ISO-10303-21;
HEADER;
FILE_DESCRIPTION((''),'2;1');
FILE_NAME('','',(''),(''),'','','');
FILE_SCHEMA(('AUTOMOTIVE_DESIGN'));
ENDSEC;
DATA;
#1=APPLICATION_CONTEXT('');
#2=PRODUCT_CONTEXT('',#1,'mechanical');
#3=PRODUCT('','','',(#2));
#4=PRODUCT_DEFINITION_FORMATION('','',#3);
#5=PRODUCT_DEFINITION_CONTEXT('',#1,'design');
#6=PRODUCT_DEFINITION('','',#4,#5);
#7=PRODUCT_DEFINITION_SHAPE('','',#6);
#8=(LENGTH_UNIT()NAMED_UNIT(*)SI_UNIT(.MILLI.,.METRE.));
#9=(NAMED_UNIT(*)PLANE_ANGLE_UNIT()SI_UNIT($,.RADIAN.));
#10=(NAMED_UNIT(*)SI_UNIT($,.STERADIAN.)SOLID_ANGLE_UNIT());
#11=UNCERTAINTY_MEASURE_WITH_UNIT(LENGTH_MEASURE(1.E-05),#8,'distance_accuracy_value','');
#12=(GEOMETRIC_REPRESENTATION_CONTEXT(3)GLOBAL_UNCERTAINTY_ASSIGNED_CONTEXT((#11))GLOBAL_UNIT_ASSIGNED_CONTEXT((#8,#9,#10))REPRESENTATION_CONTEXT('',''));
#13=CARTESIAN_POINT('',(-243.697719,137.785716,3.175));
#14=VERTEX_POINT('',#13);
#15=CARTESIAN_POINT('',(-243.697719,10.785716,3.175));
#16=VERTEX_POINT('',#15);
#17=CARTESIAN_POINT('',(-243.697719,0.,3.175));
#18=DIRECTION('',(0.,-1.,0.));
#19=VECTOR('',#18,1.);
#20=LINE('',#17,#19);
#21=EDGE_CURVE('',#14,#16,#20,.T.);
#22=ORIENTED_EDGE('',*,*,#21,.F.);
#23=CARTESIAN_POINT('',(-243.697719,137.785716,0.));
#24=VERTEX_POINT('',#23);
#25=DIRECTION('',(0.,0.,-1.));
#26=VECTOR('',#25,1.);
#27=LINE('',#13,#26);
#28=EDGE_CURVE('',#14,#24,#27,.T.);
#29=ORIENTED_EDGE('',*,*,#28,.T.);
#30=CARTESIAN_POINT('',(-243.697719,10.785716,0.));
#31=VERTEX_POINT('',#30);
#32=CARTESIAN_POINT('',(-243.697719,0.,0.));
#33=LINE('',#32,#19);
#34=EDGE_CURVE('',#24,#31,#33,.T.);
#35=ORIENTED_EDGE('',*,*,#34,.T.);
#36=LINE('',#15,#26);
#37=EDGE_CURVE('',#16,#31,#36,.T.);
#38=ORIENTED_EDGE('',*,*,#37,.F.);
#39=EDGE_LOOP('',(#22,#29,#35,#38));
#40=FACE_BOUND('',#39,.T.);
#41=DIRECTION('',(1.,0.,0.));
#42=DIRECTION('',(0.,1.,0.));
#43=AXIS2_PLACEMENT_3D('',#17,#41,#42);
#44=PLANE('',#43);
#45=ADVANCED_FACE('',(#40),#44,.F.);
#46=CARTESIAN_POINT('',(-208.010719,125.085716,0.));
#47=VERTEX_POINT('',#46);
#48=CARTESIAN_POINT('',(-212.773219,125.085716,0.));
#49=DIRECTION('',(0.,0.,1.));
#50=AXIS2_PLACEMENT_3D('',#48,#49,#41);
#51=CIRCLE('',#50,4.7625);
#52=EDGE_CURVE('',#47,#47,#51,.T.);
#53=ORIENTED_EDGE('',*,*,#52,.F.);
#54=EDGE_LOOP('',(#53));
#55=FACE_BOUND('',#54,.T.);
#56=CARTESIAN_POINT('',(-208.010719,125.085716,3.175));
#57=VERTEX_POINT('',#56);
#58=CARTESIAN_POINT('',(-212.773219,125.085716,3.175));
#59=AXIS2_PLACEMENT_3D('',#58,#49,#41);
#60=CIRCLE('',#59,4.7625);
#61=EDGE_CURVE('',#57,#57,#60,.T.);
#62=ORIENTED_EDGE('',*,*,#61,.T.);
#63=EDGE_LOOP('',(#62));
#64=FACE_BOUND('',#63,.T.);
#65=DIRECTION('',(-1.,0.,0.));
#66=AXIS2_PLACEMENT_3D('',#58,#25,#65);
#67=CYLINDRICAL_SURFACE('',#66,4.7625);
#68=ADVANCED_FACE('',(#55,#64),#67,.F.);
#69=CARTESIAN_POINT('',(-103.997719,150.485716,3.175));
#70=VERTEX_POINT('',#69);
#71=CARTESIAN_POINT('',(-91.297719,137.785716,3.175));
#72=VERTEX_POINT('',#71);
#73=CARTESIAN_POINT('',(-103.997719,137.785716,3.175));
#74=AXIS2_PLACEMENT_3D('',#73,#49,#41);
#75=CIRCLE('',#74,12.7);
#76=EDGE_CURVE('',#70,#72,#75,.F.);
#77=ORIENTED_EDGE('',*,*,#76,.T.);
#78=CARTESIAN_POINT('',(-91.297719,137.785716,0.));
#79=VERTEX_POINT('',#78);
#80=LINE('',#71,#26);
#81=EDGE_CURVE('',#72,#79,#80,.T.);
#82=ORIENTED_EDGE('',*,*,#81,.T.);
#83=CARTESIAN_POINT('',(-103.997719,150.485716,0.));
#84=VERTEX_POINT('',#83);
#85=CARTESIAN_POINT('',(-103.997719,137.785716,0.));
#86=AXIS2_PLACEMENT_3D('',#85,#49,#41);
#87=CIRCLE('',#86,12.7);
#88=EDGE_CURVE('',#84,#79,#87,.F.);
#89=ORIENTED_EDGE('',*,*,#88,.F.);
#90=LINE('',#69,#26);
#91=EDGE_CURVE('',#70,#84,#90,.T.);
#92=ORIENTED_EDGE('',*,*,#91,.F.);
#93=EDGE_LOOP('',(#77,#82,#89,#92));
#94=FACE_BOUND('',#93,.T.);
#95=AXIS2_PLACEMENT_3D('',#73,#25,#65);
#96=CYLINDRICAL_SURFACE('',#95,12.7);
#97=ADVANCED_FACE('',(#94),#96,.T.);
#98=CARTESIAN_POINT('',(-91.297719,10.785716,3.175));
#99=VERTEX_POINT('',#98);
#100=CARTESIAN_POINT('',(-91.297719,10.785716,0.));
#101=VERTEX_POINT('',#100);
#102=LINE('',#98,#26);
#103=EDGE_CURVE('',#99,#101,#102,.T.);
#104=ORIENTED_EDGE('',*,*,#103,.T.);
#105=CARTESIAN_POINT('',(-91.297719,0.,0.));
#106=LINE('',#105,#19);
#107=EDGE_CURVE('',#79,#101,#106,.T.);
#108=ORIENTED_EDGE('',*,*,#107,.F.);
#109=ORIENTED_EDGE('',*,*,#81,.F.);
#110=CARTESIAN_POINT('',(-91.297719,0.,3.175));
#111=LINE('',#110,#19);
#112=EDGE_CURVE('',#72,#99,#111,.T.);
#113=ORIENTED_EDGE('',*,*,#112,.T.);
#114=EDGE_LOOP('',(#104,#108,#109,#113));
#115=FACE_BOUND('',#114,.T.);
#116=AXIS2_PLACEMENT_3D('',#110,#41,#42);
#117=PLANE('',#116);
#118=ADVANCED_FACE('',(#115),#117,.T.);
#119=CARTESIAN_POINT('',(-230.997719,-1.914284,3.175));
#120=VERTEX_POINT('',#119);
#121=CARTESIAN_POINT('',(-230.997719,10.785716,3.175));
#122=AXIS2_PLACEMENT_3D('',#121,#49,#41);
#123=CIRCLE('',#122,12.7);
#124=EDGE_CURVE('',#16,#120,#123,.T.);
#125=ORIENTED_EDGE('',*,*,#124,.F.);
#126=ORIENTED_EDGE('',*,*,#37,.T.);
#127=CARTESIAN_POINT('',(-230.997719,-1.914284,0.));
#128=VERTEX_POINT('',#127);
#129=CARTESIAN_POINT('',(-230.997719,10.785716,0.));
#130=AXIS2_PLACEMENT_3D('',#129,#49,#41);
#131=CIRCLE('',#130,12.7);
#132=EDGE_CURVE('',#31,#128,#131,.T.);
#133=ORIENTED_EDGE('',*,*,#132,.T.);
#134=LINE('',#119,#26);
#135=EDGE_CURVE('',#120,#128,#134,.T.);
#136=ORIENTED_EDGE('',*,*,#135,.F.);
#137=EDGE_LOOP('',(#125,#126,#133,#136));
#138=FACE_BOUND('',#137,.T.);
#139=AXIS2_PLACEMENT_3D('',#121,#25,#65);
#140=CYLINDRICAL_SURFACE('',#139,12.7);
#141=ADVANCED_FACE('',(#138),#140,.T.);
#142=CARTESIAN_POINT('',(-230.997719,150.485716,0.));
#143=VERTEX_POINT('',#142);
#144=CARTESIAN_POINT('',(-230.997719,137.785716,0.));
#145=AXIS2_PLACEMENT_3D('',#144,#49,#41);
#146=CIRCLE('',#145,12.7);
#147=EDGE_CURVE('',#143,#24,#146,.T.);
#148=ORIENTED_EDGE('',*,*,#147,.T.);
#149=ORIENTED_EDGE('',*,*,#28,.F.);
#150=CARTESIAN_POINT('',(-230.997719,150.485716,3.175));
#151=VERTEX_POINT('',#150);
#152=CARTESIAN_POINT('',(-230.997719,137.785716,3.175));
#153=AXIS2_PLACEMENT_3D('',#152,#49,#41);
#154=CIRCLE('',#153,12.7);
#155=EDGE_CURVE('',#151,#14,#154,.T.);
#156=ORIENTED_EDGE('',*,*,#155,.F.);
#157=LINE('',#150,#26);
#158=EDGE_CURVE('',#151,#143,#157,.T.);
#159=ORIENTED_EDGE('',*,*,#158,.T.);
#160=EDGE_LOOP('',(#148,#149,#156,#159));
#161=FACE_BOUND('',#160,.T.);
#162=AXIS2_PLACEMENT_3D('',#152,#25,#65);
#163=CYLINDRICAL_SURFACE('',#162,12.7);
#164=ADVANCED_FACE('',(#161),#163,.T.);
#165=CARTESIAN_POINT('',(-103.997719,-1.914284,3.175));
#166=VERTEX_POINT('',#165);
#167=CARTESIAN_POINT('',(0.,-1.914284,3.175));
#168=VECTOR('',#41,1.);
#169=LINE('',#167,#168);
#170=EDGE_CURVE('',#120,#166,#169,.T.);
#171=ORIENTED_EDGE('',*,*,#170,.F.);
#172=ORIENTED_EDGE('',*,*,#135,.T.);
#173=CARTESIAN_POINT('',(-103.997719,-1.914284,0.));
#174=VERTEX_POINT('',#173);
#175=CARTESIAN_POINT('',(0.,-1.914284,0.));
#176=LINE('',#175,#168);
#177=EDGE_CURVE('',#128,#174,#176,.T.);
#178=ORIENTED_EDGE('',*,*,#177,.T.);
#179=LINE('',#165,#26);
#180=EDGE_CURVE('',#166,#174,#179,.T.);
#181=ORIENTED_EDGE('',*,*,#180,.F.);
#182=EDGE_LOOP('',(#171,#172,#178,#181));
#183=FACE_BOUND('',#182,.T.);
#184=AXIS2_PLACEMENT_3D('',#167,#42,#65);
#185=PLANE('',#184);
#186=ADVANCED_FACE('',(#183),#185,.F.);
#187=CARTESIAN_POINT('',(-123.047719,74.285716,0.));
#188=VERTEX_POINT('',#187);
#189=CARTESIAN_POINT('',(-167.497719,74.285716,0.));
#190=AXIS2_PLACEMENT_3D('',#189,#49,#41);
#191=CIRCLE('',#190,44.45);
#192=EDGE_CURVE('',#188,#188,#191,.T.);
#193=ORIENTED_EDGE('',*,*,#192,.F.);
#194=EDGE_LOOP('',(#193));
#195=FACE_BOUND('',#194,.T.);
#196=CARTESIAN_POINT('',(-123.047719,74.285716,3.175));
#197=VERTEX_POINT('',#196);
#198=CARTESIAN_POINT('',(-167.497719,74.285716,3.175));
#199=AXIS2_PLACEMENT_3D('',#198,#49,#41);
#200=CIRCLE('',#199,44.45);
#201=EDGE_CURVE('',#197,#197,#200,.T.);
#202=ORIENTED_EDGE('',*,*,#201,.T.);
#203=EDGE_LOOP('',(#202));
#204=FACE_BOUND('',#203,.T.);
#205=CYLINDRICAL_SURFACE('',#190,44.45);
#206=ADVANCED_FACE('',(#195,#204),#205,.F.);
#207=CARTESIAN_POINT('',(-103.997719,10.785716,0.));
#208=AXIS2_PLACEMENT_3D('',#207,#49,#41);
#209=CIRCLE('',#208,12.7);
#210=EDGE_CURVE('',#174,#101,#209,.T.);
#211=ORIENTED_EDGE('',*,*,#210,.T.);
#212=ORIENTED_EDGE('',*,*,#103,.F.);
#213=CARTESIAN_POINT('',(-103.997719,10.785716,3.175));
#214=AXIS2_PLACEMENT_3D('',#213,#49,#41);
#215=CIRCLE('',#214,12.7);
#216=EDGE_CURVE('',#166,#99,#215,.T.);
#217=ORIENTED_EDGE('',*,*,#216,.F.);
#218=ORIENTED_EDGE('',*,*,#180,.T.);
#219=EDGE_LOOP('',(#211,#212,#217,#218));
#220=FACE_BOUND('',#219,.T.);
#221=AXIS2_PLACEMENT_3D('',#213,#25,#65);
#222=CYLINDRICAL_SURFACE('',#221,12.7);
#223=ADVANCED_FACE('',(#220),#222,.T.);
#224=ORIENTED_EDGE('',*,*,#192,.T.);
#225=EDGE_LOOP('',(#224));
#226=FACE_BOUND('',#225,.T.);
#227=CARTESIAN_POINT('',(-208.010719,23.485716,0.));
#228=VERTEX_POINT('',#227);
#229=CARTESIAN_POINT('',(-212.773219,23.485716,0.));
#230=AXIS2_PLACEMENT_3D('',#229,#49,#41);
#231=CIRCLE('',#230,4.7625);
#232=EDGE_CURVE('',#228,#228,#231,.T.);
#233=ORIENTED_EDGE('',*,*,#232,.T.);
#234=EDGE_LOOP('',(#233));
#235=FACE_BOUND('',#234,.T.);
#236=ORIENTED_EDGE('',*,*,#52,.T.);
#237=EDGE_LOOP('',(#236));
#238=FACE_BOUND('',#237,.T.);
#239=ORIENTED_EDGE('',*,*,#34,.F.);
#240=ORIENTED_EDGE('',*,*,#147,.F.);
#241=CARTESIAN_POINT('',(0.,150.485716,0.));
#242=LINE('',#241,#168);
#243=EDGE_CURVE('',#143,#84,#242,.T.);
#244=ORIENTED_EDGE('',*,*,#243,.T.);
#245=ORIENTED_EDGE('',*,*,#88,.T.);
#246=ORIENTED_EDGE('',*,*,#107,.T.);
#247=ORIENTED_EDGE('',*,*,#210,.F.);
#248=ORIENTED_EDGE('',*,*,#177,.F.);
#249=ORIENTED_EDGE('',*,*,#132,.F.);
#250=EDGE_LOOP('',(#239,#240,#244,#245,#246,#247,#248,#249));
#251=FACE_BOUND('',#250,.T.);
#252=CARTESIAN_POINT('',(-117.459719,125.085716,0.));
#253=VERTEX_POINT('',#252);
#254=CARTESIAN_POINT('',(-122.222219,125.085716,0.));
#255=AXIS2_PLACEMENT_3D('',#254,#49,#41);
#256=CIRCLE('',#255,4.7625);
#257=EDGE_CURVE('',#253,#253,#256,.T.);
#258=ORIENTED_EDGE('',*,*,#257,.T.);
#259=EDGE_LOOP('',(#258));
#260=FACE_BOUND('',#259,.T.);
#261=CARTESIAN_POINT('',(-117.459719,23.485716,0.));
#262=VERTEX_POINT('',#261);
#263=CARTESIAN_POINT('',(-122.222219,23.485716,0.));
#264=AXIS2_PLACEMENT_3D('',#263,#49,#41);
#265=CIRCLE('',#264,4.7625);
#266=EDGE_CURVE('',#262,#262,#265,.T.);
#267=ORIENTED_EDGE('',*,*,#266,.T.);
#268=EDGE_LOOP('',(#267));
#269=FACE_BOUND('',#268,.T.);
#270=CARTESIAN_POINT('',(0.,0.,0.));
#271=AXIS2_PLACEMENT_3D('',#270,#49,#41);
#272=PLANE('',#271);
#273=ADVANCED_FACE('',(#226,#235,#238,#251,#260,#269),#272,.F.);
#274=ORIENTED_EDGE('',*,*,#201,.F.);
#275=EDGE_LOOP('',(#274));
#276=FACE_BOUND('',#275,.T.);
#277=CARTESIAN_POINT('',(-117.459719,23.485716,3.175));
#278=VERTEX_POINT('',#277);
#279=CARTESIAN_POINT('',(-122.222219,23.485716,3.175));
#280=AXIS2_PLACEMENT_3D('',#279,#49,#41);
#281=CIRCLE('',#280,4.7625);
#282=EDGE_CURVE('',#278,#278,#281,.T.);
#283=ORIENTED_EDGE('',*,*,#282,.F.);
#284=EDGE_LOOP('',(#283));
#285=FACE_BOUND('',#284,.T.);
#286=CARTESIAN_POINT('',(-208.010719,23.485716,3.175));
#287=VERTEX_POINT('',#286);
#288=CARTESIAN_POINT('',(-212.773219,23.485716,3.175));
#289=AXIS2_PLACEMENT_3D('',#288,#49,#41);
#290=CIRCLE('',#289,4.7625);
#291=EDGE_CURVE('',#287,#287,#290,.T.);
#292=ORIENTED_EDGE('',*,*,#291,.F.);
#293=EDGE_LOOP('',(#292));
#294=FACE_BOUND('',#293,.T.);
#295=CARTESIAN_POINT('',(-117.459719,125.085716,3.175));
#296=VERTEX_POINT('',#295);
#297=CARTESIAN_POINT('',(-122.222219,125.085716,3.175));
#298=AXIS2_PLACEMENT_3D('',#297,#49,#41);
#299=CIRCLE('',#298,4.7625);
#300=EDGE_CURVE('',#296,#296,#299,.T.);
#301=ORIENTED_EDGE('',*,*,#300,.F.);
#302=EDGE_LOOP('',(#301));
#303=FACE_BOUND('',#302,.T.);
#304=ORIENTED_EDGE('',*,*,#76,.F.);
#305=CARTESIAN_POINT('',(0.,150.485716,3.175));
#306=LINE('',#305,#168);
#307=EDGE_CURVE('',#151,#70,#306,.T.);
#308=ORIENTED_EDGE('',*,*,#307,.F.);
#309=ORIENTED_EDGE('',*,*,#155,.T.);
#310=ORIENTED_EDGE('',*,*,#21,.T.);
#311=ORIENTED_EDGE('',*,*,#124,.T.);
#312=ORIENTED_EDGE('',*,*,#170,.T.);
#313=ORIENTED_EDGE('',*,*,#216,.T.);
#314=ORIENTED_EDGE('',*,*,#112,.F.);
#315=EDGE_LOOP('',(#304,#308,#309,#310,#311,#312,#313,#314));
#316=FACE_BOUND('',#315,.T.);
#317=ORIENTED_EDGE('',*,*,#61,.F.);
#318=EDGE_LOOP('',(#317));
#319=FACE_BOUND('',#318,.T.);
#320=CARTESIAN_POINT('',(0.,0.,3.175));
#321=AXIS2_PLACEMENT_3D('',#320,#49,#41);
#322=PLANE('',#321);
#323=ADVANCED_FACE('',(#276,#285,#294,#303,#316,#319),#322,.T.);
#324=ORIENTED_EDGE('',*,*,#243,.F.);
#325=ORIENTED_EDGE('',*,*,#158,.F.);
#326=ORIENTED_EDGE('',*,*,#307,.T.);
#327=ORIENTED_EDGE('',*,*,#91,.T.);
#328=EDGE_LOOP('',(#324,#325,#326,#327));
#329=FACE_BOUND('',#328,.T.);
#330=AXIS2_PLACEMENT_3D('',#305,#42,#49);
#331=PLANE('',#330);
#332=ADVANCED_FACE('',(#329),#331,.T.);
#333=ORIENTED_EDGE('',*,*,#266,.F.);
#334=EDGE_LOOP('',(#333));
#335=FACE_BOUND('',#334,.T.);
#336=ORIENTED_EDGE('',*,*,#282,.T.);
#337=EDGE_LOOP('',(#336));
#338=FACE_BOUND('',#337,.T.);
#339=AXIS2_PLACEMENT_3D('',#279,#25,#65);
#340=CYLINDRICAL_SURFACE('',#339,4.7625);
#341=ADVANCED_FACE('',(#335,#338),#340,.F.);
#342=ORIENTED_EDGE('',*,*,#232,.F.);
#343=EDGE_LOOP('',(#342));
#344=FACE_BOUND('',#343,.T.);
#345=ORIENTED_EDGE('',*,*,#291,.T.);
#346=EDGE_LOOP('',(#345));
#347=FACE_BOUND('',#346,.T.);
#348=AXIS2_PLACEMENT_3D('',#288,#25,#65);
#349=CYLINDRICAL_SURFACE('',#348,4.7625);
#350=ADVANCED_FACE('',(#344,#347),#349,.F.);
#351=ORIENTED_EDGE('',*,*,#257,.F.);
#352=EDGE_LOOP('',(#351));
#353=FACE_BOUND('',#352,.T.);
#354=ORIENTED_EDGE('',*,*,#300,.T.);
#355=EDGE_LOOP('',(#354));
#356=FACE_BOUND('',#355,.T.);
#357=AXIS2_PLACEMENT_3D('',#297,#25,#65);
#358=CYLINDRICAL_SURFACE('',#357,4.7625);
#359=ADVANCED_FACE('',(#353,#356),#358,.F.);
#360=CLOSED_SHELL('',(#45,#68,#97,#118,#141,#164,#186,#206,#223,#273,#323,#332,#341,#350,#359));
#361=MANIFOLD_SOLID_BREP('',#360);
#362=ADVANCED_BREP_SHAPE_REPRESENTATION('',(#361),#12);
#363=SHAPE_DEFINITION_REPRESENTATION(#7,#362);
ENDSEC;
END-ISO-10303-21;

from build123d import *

# Parameters (mm, degrees)
SKETCH1_R           = 4.7625
BOSS_EXTRUDE1_DEPTH = 3.175
SKETCH2_R           = 44.45
CUT_EXTRUDE1_DEPTH  = 4.175


with BuildPart() as part:
    # Sketch1 → Boss-Extrude1 (new body)
    with BuildSketch(Plane.XY):
        with BuildLine():
            Line((-230.997719316, 150.485716341), (-103.997719316, 150.485716341))
            ThreePointArc((-103.997719316, 150.485716341), (-95.017463195, 146.765972462), (-91.297719316, 137.785716341))
            Line((-91.297719316, 137.785716341), (-91.297719316, 10.785716341))
            ThreePointArc((-91.297719316, 10.785716341), (-95.017463195, 1.80546022), (-103.997719316, -1.914283659))
            Line((-103.997719316, -1.914283659), (-230.997719316, -1.914283659))
            ThreePointArc((-230.997719316, -1.914283659), (-239.977975437, 1.80546022), (-243.697719316, 10.785716341))
            Line((-243.697719316, 10.785716341), (-243.697719316, 137.785716341))
            ThreePointArc((-243.697719316, 137.785716341), (-239.977975437, 146.765972462), (-230.997719316, 150.485716341))
        make_face()
        with Locations((-122.222219316, 125.085716341)):
            Circle(SKETCH1_R, mode=Mode.SUBTRACT)
        with Locations((-212.773219316, 125.085716341)):
            Circle(SKETCH1_R, mode=Mode.SUBTRACT)
        with Locations((-212.773219316, 23.485716341)):
            Circle(SKETCH1_R, mode=Mode.SUBTRACT)
        with Locations((-122.222219316, 23.485716341)):
            Circle(SKETCH1_R, mode=Mode.SUBTRACT)
    extrude(amount=BOSS_EXTRUDE1_DEPTH)

    # Sketch2 → Cut-Extrude1 (cut, through all)
    with BuildSketch(Plane.XY.offset(3.175)):
        with Locations((-167.497719316, 74.285716341)):
            Circle(SKETCH2_R)
    extrude(amount=-CUT_EXTRUDE1_DEPTH, mode=Mode.SUBTRACT)


solid = part.part
